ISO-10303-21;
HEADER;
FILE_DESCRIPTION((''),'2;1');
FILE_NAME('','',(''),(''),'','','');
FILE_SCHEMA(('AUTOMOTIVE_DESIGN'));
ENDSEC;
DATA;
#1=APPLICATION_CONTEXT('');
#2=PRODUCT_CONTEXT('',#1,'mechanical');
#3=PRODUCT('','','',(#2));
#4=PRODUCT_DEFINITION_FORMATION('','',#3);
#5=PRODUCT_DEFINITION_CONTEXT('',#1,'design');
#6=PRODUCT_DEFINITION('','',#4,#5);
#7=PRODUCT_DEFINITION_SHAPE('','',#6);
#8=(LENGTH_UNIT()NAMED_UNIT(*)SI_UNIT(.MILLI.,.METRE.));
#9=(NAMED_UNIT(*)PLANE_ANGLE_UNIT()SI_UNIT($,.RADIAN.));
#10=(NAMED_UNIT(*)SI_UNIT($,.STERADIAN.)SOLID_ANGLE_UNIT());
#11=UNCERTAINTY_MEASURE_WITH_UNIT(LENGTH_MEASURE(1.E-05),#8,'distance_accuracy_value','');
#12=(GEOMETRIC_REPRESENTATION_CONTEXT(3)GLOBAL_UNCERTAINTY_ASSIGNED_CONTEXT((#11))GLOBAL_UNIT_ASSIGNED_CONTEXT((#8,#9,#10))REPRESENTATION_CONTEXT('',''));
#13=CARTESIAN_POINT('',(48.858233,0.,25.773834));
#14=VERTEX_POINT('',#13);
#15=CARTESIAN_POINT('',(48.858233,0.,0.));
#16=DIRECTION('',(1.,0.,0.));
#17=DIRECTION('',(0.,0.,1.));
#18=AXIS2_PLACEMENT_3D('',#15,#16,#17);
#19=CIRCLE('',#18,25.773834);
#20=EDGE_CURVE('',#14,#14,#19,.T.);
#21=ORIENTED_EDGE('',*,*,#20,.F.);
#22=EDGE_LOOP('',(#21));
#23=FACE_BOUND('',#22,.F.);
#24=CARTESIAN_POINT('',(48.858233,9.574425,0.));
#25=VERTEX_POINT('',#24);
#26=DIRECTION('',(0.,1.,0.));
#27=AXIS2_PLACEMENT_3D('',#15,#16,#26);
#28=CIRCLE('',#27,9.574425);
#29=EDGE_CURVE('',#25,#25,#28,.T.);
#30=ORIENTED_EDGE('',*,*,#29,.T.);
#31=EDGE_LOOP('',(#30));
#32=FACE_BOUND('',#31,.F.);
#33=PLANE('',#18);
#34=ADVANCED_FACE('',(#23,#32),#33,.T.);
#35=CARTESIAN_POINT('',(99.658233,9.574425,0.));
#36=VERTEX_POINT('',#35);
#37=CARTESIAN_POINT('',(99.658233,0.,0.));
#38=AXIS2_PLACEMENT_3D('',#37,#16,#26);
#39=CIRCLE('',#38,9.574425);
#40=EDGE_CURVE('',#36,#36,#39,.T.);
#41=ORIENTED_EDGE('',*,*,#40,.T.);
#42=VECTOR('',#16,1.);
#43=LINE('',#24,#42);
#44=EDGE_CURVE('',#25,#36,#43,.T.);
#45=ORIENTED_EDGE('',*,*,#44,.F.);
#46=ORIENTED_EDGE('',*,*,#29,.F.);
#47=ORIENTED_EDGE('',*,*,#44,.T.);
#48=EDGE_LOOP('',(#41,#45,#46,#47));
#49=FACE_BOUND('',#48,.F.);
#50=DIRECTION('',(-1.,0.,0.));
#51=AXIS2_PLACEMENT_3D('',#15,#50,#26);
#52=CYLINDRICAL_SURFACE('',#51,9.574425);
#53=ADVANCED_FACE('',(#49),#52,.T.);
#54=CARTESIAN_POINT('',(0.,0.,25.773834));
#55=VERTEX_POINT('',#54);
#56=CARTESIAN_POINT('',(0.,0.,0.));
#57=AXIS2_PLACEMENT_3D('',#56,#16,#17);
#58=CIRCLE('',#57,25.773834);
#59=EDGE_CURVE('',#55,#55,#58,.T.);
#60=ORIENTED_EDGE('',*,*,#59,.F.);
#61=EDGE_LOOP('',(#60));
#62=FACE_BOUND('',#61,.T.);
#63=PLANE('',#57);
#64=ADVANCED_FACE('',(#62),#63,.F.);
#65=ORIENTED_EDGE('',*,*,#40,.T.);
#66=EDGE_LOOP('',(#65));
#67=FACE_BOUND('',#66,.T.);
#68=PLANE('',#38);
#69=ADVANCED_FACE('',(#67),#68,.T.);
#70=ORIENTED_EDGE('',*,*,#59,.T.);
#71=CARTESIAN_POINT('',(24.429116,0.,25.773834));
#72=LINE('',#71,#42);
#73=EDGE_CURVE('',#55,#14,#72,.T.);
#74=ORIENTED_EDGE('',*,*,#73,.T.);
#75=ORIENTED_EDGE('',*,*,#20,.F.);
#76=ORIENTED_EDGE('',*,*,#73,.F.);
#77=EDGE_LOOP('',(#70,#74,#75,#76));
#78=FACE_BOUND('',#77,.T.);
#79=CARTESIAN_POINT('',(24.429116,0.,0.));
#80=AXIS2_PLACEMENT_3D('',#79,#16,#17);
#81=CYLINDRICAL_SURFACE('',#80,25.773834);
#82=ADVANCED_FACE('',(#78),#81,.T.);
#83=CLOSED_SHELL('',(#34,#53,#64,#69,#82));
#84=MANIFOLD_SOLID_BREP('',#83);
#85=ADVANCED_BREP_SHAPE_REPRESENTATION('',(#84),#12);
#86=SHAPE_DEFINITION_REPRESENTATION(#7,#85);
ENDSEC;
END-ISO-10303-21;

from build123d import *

# Parameters (mm, degrees)
F0_W     = 48.8582327962
F0_H     = 25.7738344371
F2_R     = 9.5744246669
F3_DEPTH = 50.8


with BuildPart() as f1:
    # F0 (on Front) → F1 (revolve)
    with BuildSketch(Plane.XZ):
        with Locations((24.4291163981, 12.8869172186)):
            Rectangle(F0_W, F0_H)
    revolve(axis=Axis((-25.5497172475, 0, 0), (1, 0, 0)))

    # F2 (on face) → F3 (join)
    with BuildSketch(Plane.YZ.offset(48.8582327962)):
        Circle(F2_R)
    extrude(amount=F3_DEPTH)


solid = f1.part
